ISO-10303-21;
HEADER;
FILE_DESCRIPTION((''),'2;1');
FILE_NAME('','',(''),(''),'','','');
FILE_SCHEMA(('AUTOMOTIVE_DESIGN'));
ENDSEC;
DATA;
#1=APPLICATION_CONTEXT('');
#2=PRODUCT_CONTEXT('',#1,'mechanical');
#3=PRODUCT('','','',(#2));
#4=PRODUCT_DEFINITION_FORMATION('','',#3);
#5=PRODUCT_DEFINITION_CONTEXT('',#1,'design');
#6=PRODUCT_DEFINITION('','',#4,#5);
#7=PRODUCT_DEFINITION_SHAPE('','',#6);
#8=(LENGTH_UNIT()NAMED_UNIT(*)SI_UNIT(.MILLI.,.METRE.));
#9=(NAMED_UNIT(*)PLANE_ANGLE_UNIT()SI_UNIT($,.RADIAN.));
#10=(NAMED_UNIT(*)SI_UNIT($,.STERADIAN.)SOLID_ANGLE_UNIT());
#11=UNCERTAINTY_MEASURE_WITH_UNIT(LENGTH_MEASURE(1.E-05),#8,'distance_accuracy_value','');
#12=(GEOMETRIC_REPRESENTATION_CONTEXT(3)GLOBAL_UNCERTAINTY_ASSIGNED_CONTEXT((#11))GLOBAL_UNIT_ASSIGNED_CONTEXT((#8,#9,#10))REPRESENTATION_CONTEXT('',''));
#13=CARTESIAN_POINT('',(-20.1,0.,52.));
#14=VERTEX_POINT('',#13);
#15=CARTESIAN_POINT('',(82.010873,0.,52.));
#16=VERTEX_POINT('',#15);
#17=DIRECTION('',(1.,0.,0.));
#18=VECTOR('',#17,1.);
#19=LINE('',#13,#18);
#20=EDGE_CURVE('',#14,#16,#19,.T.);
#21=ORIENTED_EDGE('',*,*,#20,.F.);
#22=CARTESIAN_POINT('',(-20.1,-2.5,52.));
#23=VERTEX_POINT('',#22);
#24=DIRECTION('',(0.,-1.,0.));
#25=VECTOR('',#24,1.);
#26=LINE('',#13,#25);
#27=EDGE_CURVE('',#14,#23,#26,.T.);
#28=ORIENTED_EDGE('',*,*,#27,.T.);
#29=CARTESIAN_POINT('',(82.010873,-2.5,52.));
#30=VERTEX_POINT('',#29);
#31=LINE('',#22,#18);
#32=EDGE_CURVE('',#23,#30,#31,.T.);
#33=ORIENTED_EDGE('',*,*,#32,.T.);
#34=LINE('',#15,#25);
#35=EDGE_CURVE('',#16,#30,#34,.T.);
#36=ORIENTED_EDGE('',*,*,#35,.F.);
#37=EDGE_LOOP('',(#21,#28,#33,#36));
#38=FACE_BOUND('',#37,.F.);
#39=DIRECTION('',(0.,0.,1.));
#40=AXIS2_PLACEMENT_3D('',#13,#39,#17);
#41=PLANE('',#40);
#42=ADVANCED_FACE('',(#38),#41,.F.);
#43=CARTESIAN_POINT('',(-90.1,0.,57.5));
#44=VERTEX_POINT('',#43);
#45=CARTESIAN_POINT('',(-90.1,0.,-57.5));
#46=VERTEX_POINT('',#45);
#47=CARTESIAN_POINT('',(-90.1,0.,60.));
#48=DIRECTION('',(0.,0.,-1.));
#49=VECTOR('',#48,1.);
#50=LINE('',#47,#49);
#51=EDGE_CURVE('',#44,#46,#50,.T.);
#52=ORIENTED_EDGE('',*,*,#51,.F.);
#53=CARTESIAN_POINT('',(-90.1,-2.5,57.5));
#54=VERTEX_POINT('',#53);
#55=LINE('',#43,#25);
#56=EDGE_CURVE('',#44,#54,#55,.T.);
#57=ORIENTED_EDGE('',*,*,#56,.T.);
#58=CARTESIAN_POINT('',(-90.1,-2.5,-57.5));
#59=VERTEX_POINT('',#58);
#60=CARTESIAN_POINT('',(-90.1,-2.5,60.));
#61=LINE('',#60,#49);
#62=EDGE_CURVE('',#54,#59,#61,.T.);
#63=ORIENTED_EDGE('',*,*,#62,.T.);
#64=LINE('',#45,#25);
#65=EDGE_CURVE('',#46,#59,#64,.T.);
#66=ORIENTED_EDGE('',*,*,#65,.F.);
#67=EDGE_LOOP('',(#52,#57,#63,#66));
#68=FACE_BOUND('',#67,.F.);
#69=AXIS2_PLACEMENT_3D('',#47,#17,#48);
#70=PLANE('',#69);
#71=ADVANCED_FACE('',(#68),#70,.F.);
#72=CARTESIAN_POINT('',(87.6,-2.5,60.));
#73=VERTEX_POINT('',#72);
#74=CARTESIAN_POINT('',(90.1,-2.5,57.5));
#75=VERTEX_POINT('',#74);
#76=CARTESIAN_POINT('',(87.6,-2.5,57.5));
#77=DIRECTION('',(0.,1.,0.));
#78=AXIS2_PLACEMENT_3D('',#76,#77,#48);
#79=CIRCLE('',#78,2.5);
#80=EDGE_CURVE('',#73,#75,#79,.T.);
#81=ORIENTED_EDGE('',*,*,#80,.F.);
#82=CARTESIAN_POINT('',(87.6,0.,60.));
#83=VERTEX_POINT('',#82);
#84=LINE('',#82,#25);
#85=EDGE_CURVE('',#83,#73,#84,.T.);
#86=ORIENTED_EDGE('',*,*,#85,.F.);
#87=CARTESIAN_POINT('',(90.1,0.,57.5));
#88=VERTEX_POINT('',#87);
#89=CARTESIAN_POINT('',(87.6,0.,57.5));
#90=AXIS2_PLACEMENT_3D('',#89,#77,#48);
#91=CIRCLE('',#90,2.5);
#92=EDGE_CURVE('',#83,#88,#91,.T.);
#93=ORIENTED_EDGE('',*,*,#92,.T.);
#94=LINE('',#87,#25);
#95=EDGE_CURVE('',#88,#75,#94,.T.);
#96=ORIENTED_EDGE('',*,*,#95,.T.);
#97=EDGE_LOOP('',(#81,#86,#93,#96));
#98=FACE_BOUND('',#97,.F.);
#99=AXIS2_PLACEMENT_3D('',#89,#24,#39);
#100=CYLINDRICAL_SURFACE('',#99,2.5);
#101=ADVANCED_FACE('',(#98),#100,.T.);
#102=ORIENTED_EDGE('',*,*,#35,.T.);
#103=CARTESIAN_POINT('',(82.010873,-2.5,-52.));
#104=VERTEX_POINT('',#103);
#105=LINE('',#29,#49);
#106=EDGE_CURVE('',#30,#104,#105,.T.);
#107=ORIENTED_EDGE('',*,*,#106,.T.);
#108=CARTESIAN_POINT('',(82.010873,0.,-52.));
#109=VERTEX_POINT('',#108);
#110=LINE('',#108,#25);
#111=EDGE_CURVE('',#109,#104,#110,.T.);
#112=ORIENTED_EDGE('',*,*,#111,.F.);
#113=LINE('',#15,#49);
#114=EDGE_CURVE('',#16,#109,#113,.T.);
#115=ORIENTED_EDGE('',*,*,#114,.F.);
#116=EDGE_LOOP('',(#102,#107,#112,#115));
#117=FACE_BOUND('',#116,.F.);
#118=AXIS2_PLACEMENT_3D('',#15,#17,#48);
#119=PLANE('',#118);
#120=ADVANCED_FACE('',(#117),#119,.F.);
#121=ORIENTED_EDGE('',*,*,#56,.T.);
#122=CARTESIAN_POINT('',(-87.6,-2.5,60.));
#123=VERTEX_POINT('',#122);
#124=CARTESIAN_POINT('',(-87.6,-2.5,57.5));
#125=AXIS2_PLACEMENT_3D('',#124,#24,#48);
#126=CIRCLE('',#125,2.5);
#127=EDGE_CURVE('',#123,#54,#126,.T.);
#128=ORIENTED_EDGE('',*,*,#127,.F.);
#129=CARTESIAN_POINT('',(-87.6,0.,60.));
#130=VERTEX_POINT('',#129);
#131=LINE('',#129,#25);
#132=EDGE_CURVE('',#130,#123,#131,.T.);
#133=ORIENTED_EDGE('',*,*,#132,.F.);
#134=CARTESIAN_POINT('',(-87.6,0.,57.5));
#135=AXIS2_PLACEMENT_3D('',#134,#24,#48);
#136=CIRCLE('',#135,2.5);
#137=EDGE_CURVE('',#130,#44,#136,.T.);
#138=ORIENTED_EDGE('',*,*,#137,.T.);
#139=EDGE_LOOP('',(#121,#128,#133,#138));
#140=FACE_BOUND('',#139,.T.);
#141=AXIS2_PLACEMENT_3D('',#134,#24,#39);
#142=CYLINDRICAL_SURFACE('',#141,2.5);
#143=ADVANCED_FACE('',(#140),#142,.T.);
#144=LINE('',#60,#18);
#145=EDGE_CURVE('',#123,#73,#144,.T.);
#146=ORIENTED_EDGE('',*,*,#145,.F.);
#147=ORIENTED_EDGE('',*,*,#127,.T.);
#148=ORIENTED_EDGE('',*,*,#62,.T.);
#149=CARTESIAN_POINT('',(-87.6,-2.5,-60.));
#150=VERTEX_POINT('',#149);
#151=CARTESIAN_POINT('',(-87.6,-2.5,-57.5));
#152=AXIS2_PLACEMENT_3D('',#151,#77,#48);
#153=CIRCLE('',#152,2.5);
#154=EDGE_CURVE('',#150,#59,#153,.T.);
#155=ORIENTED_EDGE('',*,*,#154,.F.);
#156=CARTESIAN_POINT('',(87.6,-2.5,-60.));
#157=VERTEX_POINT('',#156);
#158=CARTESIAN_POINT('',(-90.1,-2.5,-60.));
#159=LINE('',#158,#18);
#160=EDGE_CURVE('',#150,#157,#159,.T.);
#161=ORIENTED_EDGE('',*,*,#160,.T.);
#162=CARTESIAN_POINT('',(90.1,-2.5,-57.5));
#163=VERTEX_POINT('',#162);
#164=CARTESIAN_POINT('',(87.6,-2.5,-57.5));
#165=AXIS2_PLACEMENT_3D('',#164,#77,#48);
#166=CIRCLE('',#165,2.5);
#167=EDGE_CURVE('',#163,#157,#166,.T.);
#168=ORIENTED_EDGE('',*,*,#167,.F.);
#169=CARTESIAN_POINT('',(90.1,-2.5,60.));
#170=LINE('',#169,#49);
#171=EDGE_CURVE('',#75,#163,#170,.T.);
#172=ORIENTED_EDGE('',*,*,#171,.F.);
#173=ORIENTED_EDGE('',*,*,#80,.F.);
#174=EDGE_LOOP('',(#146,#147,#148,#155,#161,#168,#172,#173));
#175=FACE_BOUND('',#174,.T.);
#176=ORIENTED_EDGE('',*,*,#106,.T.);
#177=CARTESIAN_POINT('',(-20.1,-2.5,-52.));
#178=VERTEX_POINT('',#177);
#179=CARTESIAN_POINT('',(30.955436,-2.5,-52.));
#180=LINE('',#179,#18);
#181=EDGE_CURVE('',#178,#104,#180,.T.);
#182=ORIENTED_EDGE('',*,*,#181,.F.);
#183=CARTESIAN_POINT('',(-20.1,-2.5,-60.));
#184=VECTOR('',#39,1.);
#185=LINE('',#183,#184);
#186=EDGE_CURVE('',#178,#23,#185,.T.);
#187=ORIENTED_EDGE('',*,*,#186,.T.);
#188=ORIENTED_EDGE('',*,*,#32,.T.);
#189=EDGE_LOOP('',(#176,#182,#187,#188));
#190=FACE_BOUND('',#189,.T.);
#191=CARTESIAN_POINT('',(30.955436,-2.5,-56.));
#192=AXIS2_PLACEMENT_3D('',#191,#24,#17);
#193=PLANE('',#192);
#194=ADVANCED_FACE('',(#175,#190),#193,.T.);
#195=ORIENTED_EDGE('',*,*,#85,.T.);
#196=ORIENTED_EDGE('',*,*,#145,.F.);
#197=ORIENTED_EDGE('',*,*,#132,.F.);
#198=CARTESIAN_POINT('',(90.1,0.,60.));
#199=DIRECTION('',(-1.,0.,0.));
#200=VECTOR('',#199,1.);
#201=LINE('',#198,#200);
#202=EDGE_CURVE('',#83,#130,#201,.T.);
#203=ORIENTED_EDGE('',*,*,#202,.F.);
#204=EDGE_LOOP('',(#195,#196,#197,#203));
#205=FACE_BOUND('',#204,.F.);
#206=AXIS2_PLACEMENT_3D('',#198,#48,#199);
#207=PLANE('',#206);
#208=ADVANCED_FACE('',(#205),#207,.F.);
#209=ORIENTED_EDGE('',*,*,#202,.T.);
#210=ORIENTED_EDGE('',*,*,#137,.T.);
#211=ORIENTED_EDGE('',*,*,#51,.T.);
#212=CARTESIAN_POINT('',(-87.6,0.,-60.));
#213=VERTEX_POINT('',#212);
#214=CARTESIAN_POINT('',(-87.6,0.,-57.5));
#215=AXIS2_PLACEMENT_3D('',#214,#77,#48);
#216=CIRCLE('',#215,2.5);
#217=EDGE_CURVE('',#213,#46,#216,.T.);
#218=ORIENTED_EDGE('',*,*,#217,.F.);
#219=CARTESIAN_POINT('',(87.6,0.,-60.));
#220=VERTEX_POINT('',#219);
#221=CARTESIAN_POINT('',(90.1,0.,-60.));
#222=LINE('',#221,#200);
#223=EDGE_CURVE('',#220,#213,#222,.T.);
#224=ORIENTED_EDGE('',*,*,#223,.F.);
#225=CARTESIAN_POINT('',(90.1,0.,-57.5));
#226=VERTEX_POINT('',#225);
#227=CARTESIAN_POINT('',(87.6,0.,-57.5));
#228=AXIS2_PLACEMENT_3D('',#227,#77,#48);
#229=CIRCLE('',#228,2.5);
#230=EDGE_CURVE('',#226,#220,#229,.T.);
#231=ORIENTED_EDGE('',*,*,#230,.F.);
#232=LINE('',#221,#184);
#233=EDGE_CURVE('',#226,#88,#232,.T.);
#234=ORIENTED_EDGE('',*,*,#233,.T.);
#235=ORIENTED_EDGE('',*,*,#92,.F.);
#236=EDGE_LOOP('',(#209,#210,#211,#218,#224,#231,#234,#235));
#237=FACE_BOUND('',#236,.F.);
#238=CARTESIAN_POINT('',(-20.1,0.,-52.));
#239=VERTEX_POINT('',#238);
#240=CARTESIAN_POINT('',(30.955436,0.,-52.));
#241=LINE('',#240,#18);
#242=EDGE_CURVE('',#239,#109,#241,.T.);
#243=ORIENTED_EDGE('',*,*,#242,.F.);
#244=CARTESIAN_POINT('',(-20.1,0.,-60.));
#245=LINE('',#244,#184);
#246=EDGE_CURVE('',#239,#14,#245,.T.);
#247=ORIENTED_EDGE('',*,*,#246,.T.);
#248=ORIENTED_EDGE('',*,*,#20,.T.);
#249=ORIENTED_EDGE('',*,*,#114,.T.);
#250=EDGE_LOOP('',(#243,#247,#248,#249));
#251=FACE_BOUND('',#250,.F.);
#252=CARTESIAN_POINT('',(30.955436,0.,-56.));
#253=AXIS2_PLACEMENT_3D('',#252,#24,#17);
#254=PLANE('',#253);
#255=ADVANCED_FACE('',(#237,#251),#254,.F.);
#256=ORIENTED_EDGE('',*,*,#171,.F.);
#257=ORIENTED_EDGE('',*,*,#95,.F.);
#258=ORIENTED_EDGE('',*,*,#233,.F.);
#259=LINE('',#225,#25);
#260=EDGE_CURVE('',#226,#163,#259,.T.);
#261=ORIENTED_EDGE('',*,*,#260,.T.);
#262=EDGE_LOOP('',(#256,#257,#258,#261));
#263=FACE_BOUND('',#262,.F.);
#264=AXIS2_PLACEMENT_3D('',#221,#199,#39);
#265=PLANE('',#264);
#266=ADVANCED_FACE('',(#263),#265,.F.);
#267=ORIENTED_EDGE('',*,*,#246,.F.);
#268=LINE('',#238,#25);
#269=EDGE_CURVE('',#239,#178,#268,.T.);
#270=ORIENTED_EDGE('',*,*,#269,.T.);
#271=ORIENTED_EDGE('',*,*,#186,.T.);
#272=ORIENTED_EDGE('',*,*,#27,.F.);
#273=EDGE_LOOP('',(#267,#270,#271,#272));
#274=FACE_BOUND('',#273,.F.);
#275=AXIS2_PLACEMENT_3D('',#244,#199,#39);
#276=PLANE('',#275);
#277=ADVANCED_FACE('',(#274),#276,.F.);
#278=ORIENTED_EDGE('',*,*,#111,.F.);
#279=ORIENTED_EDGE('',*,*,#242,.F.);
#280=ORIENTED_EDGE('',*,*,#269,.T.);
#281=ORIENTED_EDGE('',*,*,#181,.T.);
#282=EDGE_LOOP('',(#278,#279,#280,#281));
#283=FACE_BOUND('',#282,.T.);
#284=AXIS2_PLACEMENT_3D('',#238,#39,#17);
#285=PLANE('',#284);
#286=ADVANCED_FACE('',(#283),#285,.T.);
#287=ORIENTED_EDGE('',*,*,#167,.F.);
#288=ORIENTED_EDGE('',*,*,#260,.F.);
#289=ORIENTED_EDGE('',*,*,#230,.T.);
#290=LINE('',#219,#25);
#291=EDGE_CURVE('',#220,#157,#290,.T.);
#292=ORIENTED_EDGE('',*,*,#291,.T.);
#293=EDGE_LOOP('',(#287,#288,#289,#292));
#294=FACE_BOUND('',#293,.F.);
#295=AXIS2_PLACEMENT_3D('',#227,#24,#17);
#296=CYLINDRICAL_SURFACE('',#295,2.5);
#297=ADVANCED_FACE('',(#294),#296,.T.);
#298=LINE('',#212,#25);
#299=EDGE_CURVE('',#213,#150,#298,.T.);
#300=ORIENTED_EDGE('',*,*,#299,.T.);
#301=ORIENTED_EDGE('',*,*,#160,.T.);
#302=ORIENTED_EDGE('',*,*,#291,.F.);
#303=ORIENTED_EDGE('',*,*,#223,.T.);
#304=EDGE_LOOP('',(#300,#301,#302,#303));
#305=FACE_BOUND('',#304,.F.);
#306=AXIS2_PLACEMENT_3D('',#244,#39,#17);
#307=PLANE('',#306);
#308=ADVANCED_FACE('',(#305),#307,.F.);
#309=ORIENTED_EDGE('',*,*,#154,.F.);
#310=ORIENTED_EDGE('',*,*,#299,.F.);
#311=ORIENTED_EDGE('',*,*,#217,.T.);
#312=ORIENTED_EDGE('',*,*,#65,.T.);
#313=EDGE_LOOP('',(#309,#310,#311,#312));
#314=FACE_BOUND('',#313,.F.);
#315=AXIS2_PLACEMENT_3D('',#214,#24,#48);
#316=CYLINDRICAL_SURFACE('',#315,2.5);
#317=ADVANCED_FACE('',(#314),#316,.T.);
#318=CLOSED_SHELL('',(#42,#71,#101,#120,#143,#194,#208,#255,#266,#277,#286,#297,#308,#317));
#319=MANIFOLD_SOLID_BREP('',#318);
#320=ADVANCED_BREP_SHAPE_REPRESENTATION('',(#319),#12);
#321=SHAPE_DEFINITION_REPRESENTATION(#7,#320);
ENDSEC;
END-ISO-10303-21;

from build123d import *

# Parameters (mm, degrees)
F1_DEPTH = 2.5
F2_DEPTH = 2.5
F3_DEPTH = 2.5
F0_W     = 102.1108726621
F0_H     = 8
F4_DEPTH = 2.5
F5_DEPTH = 2.5
F6_R     = 2.5
F7_R     = 2.5
F8_R     = 2.5
F9_R     = 2.5


with BuildPart() as f1:
    # F0 (on Front) → F1 (new body)
    with BuildSketch(Plane.XZ):
        Polygon((-20.1, 60), (-90.1, 60), (-90.1, -60), (-20.1, -60), (-20.1, -52), (-20.1, 52), align=None)
    extrude(amount=F1_DEPTH)

    # F0 (on Front) → F2 (join)
    with BuildSketch(Plane.XZ):
        Polygon((90.1, 60), (-20.1, 60), (-20.1, 52), (82.0108726621, 52), (90.1, 52), align=None)
    extrude(amount=F2_DEPTH)

    # F0 (on Front) → F3 (join)
    with BuildSketch(Plane.XZ):
        Polygon((90.1, -60), (90.1, 52), (82.0108726621, 52), (82.0108726621, -52), (82.0108726621, -60), align=None)
    extrude(amount=F3_DEPTH)

    # F0 (on Front) → F4 (join)
    with BuildSketch(Plane.XZ):
        with Locations((30.955436331, -56)):
            Rectangle(F0_W, F0_H)
    extrude(amount=F4_DEPTH)

    # F0 (on Front) → F5 (join)
    with BuildSketch(Plane.XZ):
        Polygon((90.1, -60), (90.1, 52), (82.0108726621, 52), (82.0108726621, -52), (82.0108726621, -60), align=None)
    extrude(amount=F5_DEPTH)

    # F6
    f6_edges = [f1.edges().sort_by_distance(p)[0] for p in [
        (-90.1, -1.25, 60),
    ]]
    fillet(f6_edges, radius=F6_R)

    # F7
    f7_edges = [f1.edges().sort_by_distance(p)[0] for p in [
        (90.1, -1.25, 60),
    ]]
    fillet(f7_edges, radius=F7_R)

    # F8
    f8_edges = [f1.edges().sort_by_distance(p)[0] for p in [
        (90.1, -1.25, -60),
    ]]
    fillet(f8_edges, radius=F8_R)

    # F9
    f9_edges = [f1.edges().sort_by_distance(p)[0] for p in [
        (-90.1, -1.25, -60),
    ]]
    fillet(f9_edges, radius=F9_R)


solid = f1.part
